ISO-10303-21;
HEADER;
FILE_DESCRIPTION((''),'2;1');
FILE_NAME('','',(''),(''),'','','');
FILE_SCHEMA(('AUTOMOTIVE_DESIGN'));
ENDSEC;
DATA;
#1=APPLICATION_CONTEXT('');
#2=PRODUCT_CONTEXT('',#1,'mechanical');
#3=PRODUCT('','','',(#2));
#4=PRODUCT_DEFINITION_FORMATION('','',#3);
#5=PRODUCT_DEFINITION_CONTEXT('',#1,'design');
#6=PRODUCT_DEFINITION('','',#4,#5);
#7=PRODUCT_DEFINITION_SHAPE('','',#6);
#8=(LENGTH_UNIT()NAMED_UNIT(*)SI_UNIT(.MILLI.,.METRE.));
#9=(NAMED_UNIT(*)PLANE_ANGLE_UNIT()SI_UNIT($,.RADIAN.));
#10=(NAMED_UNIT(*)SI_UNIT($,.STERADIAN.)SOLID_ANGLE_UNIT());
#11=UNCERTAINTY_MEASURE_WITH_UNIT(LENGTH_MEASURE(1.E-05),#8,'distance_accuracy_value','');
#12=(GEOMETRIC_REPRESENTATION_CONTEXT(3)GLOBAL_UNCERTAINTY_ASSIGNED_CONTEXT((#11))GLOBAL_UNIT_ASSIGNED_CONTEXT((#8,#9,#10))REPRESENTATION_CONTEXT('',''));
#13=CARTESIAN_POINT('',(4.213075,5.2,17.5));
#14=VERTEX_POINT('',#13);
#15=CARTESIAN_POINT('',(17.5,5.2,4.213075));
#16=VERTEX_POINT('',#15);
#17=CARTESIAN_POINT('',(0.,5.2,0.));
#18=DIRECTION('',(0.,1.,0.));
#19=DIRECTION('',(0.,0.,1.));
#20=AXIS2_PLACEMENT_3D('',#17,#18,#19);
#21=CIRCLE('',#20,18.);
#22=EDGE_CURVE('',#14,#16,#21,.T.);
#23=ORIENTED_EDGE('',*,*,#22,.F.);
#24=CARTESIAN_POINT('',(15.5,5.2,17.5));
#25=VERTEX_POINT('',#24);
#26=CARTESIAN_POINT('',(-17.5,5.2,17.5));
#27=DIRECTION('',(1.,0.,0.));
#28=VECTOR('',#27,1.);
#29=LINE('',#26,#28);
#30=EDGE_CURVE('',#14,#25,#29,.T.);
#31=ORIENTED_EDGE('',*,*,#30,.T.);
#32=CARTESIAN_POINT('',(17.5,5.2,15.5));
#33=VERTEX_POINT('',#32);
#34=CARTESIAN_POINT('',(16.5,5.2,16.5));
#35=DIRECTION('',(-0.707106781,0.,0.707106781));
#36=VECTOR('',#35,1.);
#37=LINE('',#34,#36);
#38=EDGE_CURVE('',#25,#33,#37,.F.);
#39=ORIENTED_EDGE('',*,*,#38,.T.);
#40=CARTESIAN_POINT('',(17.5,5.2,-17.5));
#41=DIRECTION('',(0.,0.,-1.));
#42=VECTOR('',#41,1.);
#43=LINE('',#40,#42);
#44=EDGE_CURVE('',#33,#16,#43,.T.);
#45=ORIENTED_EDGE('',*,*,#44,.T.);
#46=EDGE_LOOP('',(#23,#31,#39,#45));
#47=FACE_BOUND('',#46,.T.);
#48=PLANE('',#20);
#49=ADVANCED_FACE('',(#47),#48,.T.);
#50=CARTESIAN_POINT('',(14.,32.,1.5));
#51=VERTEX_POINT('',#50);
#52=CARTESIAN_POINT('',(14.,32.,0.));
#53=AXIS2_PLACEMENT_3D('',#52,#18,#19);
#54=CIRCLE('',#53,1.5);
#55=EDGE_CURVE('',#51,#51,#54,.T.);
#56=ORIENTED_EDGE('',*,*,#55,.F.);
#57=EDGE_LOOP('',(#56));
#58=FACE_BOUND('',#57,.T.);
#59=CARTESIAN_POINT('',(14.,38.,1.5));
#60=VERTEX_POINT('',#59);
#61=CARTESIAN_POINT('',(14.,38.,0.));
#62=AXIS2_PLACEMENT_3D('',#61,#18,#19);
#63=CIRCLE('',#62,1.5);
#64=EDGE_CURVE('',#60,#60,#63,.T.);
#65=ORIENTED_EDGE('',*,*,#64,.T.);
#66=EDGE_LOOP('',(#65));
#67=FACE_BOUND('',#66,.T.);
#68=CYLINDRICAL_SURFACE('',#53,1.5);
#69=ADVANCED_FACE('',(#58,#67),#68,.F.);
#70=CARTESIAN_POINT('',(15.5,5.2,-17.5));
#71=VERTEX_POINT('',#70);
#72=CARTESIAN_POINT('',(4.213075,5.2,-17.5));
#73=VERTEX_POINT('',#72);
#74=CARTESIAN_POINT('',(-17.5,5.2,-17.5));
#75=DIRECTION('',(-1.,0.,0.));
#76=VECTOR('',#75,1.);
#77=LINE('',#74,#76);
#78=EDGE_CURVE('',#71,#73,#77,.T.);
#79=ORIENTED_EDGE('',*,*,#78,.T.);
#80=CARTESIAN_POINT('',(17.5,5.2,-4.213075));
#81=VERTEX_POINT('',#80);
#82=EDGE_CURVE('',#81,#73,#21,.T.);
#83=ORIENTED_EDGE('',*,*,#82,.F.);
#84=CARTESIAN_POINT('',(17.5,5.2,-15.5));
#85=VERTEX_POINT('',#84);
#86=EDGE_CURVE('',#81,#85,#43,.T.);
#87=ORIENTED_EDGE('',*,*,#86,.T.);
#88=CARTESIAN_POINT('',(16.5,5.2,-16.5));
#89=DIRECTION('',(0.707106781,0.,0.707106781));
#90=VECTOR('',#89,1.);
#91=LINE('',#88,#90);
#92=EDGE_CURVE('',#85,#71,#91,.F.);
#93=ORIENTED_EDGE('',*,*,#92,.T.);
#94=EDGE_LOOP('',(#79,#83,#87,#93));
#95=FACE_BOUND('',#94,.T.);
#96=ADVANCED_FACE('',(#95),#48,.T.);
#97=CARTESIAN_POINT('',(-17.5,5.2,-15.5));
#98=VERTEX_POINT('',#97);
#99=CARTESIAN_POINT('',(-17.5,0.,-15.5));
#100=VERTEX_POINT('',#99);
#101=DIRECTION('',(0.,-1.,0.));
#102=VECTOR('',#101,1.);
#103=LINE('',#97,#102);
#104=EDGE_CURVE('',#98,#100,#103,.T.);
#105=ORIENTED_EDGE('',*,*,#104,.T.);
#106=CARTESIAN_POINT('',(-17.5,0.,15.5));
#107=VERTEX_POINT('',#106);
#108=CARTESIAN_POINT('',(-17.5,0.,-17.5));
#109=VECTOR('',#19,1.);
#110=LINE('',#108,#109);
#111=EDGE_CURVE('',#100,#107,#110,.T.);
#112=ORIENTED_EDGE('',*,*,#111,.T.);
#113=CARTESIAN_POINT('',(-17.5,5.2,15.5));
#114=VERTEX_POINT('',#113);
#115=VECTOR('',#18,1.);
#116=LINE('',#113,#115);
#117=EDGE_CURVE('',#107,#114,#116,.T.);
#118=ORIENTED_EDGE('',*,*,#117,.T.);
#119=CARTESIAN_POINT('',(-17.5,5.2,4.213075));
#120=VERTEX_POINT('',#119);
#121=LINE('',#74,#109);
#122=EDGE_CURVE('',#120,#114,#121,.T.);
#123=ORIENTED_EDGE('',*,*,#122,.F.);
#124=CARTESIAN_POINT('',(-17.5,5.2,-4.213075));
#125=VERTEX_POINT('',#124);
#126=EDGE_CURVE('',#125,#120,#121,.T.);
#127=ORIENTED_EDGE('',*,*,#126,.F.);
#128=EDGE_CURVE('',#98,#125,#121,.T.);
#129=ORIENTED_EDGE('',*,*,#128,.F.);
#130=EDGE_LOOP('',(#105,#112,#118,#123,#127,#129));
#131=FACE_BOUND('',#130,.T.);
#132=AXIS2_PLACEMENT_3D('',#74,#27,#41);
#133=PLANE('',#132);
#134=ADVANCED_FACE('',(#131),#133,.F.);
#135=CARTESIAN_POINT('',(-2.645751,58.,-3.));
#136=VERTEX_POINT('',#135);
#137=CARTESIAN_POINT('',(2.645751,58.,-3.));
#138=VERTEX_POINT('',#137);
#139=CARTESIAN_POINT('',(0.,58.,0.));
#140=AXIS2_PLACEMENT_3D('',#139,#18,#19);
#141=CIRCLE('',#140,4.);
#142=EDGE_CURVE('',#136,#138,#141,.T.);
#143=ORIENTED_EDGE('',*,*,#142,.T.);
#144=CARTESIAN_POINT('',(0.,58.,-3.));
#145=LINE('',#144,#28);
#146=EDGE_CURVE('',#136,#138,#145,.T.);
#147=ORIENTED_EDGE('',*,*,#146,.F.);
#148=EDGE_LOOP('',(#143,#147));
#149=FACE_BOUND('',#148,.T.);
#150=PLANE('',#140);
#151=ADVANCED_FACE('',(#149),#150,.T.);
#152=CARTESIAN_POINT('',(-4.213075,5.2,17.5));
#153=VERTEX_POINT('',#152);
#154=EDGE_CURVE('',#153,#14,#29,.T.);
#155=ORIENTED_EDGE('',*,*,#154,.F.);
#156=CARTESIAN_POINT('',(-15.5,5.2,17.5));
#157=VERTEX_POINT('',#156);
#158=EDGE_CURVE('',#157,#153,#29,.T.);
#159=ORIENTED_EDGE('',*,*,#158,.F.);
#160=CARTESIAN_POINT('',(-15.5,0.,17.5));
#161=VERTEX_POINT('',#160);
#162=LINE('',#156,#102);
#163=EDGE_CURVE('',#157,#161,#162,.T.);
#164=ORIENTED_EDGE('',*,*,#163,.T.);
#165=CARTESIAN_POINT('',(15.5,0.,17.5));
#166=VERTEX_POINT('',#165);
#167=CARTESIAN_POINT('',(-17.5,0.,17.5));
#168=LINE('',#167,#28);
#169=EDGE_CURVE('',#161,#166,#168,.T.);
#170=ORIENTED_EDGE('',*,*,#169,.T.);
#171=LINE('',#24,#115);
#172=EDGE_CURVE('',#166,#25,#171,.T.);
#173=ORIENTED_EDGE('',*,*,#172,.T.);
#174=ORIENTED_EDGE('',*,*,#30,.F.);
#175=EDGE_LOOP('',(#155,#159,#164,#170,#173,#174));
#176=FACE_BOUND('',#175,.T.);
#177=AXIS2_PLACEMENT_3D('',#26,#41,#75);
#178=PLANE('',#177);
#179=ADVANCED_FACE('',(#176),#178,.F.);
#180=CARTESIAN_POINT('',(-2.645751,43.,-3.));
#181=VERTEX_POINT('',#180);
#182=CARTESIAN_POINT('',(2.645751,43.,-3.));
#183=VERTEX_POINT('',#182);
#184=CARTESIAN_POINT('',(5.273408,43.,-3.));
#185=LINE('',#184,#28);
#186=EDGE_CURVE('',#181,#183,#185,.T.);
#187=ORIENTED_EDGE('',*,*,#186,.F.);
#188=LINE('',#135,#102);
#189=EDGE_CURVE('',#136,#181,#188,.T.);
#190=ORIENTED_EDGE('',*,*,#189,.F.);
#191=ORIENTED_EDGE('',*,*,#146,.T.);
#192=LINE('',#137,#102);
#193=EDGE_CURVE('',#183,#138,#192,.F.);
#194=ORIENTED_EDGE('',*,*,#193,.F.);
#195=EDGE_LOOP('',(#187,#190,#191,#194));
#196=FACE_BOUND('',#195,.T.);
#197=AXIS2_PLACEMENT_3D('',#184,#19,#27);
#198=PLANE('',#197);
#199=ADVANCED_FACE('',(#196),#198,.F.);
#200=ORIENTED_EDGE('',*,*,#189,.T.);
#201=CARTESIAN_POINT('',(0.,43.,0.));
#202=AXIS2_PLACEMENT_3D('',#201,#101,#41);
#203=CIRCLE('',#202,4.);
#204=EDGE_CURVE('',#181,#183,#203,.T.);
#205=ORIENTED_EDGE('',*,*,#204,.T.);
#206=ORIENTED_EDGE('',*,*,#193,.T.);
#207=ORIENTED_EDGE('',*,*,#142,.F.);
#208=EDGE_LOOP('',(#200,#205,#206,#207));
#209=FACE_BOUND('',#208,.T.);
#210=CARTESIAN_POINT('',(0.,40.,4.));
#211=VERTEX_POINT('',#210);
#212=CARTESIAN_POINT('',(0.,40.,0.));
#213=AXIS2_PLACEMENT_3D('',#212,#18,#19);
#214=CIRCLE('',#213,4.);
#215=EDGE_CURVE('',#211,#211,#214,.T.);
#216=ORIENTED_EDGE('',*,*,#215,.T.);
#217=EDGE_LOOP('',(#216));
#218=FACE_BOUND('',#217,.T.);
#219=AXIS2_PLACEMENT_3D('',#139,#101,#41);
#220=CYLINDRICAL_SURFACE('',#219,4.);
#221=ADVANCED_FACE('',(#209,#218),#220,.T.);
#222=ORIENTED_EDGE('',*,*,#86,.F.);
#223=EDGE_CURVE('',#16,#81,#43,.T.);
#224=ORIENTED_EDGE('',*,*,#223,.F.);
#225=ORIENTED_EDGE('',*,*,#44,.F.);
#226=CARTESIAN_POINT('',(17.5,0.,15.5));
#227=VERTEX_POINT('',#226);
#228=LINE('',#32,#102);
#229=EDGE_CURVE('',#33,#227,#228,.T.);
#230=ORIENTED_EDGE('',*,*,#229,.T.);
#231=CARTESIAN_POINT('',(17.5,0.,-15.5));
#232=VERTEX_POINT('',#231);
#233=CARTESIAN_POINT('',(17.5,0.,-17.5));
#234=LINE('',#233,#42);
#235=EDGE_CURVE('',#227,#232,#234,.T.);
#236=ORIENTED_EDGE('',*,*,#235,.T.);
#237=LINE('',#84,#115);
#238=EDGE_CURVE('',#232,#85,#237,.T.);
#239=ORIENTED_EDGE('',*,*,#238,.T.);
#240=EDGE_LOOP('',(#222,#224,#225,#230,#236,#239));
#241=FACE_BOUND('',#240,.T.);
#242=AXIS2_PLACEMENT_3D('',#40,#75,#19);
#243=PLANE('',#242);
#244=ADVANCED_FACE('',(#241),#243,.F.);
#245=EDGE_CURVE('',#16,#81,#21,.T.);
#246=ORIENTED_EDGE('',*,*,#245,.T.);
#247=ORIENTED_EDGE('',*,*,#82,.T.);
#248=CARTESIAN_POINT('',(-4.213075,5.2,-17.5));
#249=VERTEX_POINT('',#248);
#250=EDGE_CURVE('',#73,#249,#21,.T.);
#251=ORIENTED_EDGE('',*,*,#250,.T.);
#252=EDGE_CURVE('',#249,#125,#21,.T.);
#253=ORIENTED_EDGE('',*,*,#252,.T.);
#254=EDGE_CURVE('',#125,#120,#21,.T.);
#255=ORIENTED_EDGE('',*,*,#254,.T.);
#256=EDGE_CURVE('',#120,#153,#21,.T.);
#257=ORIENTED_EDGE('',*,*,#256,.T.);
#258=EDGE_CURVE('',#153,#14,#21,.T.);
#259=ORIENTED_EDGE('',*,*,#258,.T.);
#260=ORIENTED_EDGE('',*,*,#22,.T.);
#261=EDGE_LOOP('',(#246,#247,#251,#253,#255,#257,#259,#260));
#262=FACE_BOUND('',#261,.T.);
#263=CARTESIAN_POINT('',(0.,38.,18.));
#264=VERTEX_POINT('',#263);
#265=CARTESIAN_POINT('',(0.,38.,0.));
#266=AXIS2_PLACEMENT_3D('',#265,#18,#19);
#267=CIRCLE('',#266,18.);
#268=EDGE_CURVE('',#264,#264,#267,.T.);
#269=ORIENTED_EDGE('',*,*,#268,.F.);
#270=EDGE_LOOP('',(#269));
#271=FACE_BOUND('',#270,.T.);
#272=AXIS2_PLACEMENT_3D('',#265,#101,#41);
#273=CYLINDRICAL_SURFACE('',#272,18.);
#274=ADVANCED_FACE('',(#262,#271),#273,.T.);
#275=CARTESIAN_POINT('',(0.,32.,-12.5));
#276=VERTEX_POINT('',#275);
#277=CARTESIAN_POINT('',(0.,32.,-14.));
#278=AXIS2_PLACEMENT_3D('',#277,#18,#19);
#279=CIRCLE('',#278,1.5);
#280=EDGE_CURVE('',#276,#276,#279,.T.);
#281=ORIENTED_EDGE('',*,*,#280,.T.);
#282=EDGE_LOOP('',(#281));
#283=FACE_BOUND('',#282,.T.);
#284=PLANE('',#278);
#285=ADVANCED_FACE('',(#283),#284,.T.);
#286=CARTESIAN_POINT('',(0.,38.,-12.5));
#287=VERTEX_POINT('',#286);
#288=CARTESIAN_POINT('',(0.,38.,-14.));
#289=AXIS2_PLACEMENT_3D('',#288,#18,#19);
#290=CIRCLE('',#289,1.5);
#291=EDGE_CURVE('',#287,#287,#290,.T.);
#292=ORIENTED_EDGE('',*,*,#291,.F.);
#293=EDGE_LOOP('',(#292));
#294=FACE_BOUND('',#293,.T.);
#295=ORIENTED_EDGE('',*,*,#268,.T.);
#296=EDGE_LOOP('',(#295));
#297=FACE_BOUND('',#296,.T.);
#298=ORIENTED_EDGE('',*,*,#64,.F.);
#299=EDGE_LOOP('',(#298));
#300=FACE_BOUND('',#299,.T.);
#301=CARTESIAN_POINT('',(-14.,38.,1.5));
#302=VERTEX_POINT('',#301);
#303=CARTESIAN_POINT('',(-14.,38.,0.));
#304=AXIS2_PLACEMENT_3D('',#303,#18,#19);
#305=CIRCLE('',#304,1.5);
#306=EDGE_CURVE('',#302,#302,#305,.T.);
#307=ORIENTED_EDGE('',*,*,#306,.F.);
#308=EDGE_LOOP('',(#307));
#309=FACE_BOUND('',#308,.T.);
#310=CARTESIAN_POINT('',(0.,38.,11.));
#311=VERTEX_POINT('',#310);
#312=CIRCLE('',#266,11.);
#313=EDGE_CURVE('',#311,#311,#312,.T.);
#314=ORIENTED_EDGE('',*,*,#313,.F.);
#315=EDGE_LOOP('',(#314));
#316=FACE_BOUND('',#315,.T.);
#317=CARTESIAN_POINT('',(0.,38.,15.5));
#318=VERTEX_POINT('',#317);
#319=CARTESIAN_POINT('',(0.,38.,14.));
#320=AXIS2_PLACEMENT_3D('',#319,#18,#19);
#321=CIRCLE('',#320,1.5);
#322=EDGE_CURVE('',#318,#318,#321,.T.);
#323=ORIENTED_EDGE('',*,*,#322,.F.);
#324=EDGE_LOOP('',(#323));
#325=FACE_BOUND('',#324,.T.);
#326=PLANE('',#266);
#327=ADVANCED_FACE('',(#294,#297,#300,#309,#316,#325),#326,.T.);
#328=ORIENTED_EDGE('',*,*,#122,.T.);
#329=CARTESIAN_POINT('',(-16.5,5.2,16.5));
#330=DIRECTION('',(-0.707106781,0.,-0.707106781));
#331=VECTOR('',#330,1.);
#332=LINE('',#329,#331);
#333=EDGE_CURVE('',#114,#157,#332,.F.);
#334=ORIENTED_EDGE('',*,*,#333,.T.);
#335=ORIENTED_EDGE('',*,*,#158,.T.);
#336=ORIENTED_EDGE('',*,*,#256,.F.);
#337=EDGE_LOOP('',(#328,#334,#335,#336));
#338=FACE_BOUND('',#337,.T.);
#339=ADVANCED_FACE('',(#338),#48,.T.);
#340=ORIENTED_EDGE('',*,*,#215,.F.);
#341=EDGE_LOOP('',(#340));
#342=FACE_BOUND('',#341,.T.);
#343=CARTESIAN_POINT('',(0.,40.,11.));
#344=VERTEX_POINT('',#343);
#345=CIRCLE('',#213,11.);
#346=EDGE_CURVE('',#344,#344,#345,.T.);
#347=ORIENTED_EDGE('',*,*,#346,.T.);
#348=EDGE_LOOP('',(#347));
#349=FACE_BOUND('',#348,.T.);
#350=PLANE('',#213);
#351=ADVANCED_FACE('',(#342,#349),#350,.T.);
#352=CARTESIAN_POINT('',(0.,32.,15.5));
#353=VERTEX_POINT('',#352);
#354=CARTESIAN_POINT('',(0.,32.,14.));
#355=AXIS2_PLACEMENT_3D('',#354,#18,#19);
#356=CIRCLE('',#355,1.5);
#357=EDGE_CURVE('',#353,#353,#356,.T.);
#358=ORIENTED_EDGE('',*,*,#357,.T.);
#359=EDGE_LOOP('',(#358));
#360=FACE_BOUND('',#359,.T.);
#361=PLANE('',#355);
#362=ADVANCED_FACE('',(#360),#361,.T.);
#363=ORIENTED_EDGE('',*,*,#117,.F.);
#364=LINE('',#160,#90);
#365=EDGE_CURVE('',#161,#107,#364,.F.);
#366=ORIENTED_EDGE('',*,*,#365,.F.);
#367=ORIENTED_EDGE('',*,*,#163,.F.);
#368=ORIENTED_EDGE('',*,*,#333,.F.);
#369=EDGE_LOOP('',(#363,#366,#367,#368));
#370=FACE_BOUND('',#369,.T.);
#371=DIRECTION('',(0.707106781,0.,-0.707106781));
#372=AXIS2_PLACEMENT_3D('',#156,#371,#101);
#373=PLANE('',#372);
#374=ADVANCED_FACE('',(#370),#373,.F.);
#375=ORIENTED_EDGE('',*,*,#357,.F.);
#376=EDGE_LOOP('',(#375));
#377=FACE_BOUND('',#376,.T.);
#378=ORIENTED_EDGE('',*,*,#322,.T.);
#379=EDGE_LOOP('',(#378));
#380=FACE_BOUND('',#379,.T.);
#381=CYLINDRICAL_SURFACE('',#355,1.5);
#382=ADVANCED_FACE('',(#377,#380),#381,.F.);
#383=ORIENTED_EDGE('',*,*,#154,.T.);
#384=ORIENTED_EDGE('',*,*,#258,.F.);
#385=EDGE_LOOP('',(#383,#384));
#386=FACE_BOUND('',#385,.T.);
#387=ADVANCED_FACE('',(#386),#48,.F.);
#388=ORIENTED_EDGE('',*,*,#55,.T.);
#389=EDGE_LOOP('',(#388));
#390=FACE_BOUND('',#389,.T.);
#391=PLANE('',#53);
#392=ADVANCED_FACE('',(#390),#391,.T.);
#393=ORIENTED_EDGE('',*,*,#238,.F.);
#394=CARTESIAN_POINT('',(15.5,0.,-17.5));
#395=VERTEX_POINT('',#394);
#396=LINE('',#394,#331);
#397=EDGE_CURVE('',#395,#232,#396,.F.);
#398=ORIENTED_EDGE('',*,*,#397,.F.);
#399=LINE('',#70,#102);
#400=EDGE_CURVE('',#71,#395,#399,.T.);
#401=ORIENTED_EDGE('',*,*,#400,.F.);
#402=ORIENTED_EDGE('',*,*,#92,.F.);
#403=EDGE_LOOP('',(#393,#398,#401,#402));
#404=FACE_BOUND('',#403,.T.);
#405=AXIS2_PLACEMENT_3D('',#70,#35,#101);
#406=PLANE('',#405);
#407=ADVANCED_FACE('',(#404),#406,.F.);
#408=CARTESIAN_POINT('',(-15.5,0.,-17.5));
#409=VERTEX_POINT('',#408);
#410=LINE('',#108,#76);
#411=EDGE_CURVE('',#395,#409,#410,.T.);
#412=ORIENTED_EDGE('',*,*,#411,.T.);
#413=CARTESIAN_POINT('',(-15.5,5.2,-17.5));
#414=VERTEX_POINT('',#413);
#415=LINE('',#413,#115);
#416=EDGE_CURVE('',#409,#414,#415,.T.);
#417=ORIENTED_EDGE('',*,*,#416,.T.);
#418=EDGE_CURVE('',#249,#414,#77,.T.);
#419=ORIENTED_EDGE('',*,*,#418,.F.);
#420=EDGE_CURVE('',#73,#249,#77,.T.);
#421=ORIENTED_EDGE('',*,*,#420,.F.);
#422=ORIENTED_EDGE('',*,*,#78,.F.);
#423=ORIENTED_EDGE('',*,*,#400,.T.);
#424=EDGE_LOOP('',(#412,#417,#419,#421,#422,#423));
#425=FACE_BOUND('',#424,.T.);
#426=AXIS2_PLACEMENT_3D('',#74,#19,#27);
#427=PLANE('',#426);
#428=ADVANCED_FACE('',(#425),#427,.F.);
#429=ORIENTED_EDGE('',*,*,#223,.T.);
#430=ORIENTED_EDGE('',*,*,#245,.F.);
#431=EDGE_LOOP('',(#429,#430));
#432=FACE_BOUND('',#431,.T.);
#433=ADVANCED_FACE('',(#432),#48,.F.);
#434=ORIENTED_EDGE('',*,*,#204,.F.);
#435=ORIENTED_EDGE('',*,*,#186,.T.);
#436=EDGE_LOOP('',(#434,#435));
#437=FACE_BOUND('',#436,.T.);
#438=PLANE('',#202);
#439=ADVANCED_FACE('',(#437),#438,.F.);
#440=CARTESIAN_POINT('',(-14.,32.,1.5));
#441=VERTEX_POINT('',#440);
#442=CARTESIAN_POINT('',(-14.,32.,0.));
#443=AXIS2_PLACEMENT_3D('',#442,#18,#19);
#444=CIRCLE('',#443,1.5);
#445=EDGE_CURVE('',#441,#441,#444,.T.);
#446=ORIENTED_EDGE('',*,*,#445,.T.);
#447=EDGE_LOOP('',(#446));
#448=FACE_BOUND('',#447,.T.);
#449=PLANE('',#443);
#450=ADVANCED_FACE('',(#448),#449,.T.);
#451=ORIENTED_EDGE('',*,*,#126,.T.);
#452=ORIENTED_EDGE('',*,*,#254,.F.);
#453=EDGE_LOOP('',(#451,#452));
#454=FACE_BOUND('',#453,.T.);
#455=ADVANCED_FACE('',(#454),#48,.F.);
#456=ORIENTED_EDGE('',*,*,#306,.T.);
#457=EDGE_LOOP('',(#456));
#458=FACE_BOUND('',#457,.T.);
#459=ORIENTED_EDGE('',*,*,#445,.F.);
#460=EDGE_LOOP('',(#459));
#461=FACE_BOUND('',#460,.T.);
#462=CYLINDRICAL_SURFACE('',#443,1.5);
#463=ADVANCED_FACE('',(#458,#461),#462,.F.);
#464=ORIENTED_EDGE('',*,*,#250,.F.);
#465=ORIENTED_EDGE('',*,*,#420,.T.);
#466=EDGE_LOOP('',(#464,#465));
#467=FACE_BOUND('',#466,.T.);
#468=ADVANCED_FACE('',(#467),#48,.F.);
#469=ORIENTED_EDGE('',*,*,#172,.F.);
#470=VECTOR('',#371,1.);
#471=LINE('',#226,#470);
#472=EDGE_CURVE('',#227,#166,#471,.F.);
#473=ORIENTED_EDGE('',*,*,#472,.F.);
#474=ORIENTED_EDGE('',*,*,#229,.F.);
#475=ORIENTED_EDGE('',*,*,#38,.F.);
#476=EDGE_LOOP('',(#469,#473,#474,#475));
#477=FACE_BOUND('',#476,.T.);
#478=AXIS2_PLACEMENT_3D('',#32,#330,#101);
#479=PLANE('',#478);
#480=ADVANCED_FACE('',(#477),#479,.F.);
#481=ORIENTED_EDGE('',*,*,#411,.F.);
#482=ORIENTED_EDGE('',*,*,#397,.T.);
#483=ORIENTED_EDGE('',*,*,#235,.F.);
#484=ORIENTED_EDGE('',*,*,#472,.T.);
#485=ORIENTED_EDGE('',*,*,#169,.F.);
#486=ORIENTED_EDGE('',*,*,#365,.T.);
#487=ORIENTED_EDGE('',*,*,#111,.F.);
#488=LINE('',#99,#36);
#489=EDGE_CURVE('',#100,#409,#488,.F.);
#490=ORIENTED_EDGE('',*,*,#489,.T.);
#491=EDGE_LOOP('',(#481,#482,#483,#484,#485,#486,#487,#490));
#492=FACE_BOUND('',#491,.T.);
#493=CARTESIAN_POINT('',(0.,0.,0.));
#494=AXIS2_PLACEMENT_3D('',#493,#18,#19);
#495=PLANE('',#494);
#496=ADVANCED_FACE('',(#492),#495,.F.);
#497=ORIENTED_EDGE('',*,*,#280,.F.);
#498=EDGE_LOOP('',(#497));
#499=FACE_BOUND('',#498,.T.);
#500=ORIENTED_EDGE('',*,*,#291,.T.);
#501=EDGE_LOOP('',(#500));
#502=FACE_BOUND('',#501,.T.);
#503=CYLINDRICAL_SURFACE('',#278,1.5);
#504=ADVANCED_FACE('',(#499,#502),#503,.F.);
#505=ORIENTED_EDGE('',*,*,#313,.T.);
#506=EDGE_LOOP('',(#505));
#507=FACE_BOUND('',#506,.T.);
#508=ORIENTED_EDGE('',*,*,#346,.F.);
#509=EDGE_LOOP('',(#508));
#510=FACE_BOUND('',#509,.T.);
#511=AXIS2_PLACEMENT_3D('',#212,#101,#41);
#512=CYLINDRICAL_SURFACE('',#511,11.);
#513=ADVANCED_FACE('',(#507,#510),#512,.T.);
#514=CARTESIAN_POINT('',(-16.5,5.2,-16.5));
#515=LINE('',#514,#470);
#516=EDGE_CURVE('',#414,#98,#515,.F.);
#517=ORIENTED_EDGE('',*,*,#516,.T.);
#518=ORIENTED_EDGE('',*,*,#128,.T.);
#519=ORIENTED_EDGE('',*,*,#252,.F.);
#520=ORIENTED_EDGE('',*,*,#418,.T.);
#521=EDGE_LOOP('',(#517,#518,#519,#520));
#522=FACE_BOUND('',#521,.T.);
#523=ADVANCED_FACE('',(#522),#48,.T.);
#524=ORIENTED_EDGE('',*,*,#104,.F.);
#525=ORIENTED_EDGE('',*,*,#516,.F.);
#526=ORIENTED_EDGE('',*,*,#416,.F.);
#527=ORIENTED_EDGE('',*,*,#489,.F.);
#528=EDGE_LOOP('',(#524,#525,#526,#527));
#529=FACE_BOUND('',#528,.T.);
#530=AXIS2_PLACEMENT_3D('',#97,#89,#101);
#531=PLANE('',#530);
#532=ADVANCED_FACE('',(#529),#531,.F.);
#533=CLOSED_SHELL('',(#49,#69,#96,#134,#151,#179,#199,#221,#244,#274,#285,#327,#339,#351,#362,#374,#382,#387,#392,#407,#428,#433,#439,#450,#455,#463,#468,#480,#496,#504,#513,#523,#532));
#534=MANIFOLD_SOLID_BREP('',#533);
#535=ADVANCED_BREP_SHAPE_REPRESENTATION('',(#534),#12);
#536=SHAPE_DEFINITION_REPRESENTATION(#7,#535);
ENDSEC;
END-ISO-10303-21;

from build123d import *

# Parameters (mm, degrees)
SKETCH_1_W          = 35
SKETCH_1_H          = 35
EXTRUDE_1_DEPTH     = 5.2
SKETCH_2_R          = 18
EXTRUDE_2_DEPTH     = 32.8
SKETCH_3_R          = 11
EXTRUDE_3_DEPTH     = 2
SKETCH_4_R          = 4
EXTRUDE_4_DEPTH     = 18
SKETCH_5_W          = 10.54681648
SKETCH_5_H          = 7.766292135
CUT_EXTRUDE_1_DEPTH = 15
CHAMFER_1_SIZE      = 2
SKETCH_6_R          = 1.5
CUT_EXTRUDE_2_DEPTH = 6


with BuildPart() as part:
    # 草图1 → 凸台-拉伸1 (new body)
    with BuildSketch(Plane(origin=(0, 0, 0), x_dir=(1, 0, 0), z_dir=(0, 1, 0))):
        Rectangle(SKETCH_1_W, SKETCH_1_H)
    extrude(amount=EXTRUDE_1_DEPTH)

    # 草图2 → 凸台-拉伸2 (add)
    with BuildSketch(Plane(origin=(0, 5.2, 0), x_dir=(1, 0, 0), z_dir=(0, 1, 0))):
        with Locations(Location((0, 0, 0), (0, 0, 76.463797263))):
            Circle(SKETCH_2_R)
    extrude(amount=EXTRUDE_2_DEPTH)

    # 草图3 → 凸台-拉伸3 (add)
    with BuildSketch(Plane(origin=(0, 38, 0), x_dir=(1, 0, 0), z_dir=(0, 1, 0))):
        with Locations(Location((0, 0, 0), (0, 0, 270))):
            Circle(SKETCH_3_R)
    extrude(amount=EXTRUDE_3_DEPTH)

    # 草图4 → 凸台-拉伸4 (add)
    with BuildSketch(Plane(origin=(0, 40, 0), x_dir=(1, 0, 0), z_dir=(0, 1, 0))):
        with Locations(Location((0, 0, 0), (0, 0, 270))):
            Circle(SKETCH_4_R)
    extrude(amount=EXTRUDE_4_DEPTH)

    # 草图5 → 切除-拉伸1 (cut)
    with BuildSketch(Plane(origin=(0, 58, 0), x_dir=(1, 0, 0), z_dir=(0, 1, 0))):
        with Locations((0, 6.883146068)):
            Rectangle(SKETCH_5_W, SKETCH_5_H)
    extrude(amount=-CUT_EXTRUDE_1_DEPTH, mode=Mode.SUBTRACT)

    # 倒角1
    chamfer_1_edges = [part.edges().sort_by_distance(p)[0] for p in [
        (17.5, 2.6, 17.5),
        (-17.5, 2.6, 17.5),
        (-17.5, 2.6, -17.5),
        (17.5, 2.6, -17.5),
    ]]
    chamfer(chamfer_1_edges, length=CHAMFER_1_SIZE)

    # 草图6 → 切除-拉伸2 (cut)
    with BuildSketch(Plane(origin=(0, 38, 0), x_dir=(1, 0, 0), z_dir=(0, 1, 0))):
        with Locations(Location((0, 14, 0), (0, 0, 270))):
            Circle(SKETCH_6_R)
        with Locations(Location((14, 0, 0), (0, 0, 270))):
            Circle(SKETCH_6_R)
        with Locations(Location((0, -14, 0), (0, 0, 270))):
            Circle(SKETCH_6_R)
        with Locations(Location((-14, 0, 0), (0, 0, 270))):
            Circle(SKETCH_6_R)
    extrude(amount=-CUT_EXTRUDE_2_DEPTH, mode=Mode.SUBTRACT)


solid = part.part
